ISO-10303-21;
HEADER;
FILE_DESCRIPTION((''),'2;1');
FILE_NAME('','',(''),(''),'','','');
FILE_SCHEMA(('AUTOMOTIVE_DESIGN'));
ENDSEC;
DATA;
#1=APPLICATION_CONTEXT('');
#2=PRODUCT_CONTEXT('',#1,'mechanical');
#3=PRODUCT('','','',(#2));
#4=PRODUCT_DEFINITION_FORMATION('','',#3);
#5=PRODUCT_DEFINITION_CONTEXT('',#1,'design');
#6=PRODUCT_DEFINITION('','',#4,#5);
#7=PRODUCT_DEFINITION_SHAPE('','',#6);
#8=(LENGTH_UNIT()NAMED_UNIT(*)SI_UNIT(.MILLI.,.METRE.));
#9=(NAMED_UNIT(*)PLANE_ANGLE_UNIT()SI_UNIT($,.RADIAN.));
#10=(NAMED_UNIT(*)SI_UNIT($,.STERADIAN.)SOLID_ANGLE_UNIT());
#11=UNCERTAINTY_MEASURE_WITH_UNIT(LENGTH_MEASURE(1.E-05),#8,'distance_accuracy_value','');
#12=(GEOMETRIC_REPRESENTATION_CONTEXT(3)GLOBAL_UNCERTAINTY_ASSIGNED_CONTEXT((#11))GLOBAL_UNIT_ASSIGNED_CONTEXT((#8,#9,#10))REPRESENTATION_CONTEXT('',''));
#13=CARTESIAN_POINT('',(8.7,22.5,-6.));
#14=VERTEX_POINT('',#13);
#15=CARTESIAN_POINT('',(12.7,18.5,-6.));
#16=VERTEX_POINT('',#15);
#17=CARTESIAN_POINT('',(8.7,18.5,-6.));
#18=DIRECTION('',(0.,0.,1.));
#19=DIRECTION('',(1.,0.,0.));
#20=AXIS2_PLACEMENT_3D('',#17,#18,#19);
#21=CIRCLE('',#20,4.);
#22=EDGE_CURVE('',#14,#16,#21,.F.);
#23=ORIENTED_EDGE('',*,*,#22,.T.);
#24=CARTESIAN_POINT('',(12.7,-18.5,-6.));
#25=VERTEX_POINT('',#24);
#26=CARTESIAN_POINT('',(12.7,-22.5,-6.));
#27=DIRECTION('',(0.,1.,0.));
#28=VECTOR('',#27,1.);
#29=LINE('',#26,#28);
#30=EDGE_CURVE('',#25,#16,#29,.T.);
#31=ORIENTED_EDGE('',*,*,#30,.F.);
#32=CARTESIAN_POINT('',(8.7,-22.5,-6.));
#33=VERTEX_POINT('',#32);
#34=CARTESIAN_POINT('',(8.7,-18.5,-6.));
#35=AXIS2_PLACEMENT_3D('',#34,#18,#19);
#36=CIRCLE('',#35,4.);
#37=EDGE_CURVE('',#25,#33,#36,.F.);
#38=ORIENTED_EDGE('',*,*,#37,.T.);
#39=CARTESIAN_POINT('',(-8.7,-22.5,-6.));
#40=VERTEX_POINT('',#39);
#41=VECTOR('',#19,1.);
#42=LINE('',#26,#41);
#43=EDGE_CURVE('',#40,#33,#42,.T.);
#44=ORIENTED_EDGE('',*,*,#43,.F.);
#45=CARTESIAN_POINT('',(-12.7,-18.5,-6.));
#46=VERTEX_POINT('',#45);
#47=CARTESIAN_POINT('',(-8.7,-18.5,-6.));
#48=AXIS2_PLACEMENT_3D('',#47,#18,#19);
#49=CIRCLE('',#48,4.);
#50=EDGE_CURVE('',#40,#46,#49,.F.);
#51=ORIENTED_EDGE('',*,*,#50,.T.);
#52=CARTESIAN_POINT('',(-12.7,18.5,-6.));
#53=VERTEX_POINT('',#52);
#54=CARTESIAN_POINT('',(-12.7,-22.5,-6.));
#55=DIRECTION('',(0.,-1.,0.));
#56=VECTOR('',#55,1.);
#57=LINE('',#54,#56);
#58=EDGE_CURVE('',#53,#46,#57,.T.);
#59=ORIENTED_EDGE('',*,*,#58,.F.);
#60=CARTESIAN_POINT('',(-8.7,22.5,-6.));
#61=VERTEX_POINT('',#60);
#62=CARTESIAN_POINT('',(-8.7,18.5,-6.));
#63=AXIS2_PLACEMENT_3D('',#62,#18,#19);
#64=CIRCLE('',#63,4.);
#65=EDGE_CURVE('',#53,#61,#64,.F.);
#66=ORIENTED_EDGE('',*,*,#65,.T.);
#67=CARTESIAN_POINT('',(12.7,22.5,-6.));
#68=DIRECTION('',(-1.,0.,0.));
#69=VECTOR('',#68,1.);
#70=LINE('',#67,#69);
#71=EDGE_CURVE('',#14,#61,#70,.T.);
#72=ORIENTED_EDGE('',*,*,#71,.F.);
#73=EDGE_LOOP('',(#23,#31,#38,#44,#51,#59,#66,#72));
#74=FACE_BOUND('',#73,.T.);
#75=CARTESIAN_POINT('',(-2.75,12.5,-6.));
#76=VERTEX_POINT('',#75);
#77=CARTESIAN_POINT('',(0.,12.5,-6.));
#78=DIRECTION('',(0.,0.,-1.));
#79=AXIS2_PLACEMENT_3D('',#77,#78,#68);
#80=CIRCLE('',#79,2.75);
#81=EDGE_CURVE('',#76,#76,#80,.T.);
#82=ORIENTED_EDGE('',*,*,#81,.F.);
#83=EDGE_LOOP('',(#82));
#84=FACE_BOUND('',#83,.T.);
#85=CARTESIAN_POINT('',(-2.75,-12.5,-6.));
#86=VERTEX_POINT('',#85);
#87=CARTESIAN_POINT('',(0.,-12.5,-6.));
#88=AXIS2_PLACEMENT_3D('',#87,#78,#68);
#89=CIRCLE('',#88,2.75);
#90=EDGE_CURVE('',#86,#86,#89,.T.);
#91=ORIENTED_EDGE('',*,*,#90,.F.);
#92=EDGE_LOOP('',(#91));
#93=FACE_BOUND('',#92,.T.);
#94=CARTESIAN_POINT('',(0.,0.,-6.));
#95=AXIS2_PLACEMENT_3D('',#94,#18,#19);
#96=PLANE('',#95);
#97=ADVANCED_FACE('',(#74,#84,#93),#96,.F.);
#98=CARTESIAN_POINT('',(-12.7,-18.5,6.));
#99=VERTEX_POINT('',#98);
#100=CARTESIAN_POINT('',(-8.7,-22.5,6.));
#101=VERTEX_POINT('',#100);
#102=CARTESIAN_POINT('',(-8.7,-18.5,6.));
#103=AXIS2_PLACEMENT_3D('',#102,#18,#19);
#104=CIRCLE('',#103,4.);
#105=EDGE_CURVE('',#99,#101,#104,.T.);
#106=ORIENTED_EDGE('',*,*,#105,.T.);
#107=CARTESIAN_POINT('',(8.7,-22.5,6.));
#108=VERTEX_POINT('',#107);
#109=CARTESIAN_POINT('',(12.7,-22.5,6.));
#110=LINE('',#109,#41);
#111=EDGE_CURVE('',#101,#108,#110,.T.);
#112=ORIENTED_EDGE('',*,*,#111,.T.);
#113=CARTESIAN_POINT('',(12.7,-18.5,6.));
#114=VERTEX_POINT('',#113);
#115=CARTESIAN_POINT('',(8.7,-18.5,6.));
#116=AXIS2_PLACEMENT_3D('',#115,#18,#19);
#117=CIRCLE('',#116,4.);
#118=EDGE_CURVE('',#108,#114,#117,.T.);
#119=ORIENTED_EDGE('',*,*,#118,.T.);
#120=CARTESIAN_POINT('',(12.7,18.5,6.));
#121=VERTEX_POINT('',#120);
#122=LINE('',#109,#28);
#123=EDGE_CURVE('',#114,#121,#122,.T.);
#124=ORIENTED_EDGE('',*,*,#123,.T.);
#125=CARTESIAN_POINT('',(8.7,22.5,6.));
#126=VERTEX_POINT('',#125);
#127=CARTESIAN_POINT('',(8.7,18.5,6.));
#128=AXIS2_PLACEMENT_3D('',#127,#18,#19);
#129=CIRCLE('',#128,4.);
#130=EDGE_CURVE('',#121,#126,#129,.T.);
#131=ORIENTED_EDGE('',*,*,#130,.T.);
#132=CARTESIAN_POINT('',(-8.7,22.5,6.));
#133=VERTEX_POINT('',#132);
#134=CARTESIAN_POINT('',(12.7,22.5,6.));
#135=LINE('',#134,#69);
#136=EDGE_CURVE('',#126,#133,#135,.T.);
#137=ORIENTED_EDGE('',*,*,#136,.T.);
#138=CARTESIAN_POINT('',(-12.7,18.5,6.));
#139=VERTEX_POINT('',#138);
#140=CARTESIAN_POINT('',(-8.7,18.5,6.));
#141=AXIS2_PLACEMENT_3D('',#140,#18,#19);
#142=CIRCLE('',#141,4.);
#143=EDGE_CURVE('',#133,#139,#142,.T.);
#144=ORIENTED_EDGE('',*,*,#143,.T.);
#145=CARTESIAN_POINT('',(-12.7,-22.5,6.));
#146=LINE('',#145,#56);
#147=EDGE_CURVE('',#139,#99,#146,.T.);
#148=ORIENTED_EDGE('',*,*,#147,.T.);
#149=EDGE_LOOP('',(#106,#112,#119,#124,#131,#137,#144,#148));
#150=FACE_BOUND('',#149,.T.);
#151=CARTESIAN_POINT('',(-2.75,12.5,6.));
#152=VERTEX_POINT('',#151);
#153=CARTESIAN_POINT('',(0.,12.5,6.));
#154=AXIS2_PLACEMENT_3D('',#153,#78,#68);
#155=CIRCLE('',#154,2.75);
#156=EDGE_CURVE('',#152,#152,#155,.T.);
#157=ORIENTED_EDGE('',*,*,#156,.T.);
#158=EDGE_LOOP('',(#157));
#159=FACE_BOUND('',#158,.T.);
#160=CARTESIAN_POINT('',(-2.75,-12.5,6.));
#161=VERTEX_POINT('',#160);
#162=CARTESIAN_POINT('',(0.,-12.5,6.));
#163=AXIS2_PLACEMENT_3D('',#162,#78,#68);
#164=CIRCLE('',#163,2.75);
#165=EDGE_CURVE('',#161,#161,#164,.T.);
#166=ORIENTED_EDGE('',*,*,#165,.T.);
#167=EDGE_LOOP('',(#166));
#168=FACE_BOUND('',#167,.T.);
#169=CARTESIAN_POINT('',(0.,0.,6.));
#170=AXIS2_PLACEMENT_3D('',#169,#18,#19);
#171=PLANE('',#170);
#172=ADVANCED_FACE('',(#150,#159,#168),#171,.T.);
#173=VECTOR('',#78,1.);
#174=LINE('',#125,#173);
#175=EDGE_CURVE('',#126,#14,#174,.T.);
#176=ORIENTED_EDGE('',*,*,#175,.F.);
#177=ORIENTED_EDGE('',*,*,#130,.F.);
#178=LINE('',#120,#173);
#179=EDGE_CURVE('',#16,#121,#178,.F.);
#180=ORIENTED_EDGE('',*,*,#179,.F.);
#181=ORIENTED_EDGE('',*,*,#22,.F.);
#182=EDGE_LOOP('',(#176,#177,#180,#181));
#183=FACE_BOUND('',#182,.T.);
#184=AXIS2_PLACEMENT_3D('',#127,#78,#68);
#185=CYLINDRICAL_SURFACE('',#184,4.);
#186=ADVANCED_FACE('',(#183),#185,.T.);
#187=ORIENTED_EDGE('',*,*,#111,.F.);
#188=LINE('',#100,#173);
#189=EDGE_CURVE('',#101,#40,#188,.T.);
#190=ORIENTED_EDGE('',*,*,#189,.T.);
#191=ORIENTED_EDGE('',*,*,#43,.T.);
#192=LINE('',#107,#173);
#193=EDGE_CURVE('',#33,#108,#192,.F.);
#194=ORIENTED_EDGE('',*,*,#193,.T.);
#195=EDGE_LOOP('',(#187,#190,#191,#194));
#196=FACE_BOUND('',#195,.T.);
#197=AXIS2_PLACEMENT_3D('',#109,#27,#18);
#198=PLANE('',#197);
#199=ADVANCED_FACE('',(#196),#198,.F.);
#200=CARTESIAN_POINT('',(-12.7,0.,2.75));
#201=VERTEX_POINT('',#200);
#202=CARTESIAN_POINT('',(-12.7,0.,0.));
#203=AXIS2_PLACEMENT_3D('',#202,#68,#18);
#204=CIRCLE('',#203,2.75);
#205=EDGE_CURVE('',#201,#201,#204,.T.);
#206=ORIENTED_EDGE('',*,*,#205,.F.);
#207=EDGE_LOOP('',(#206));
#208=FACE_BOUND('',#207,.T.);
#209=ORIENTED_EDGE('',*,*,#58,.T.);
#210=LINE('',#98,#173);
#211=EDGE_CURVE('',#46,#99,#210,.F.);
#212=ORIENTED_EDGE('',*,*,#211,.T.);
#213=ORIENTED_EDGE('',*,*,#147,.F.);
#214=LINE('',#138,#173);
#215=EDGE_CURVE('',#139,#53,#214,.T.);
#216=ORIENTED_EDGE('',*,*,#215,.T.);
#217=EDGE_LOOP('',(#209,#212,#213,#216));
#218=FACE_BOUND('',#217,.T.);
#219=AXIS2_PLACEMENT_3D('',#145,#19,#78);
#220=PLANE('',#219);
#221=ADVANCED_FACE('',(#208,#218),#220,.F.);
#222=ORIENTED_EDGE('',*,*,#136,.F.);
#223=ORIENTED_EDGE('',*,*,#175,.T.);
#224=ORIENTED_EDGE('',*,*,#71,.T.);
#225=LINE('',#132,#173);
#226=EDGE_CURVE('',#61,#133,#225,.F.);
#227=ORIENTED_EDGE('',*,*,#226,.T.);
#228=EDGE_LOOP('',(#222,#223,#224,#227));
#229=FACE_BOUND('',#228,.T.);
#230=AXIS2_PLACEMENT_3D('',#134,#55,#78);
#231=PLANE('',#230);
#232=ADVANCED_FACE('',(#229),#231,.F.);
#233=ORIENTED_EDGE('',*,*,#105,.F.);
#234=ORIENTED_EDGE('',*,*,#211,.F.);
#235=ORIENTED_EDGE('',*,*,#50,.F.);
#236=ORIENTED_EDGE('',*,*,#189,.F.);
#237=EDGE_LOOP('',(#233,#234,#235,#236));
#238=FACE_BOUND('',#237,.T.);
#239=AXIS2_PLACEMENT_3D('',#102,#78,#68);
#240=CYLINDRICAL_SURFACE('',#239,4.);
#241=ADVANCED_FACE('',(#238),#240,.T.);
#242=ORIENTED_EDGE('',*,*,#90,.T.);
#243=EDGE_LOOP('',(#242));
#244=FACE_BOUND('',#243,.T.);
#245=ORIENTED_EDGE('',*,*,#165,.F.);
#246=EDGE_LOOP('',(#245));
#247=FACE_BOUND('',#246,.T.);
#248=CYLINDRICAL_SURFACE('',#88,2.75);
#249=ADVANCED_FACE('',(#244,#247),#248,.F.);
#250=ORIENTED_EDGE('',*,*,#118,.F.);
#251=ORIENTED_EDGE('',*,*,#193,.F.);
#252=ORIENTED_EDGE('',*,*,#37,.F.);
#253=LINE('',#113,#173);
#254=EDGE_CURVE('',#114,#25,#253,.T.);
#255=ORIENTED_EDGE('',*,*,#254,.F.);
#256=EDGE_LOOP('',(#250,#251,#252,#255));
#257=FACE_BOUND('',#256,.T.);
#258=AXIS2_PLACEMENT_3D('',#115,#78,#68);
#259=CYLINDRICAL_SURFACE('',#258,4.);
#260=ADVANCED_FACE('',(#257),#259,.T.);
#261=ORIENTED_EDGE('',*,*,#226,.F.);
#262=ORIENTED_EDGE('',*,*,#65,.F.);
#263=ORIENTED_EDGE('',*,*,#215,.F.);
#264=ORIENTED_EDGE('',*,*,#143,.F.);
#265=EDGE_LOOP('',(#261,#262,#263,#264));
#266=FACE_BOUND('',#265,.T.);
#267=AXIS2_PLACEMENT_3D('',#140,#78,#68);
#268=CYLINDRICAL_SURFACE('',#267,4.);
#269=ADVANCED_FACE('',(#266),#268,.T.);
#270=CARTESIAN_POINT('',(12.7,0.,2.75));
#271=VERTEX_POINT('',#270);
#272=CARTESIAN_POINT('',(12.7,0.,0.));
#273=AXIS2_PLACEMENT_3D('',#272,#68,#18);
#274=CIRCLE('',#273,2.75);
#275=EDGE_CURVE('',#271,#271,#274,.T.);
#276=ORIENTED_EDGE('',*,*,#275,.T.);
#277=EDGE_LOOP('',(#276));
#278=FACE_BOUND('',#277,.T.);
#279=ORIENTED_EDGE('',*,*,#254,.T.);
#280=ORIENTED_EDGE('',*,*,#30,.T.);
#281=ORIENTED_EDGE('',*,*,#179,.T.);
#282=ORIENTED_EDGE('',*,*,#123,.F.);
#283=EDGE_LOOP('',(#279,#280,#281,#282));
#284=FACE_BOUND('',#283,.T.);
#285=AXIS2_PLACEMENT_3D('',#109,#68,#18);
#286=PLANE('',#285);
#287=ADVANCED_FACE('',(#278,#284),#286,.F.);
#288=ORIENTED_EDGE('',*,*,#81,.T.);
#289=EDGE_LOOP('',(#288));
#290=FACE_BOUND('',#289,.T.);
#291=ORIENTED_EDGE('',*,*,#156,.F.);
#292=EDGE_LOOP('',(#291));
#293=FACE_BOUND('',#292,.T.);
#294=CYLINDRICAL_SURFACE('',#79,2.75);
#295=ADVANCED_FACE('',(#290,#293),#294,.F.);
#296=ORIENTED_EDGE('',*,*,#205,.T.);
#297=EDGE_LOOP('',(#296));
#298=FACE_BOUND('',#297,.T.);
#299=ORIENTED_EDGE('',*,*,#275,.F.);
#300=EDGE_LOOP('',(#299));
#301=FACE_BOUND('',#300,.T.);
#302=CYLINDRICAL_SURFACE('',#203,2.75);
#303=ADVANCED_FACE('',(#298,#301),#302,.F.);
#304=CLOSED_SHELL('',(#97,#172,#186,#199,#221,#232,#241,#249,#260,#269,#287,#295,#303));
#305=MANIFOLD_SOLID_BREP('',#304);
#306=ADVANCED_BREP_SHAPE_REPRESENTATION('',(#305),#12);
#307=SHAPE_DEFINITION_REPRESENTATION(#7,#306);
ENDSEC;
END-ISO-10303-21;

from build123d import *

# Parameters (mm, degrees)
SKETCH1_W            = 25.4
SKETCH1_H            = 45
BOSS_EXTRUDE1_DEPTH  = 6
FILLET1_R            = 4
M5_CLEARANCE_HOLE1_D = 5.5
M5_CLEARANCE_HOLE2_D = 5.5


with BuildPart() as part:
    # Sketch1 → Boss-Extrude1 (new body, symmetric)
    with BuildSketch(Plane.XY):
        Rectangle(SKETCH1_W, SKETCH1_H)
    extrude(amount=BOSS_EXTRUDE1_DEPTH, both=True)

    # Fillet1
    fillet1_edges = [part.edges().sort_by_distance(p)[0] for p in [
        (-12.7, 22.5, 0),
        (12.7, 22.5, 0),
        (12.7, -22.5, 0),
        (-12.7, -22.5, 0),
    ]]
    fillet(fillet1_edges, radius=FILLET1_R)

    # M5 Clearance Hole1 (through all)
    with Locations(Plane.ZY.offset(12.7)):
        with Locations((0, 0)):
            Hole(M5_CLEARANCE_HOLE1_D / 2)

    # M5 Clearance Hole2 (through all)
    with Locations(Plane(origin=(0, 0, -6), x_dir=(-1, 0, 0), z_dir=(0, 0, -1))):
        with Locations((0, 12.5), (0, -12.5)):
            Hole(M5_CLEARANCE_HOLE2_D / 2)


solid = part.part
